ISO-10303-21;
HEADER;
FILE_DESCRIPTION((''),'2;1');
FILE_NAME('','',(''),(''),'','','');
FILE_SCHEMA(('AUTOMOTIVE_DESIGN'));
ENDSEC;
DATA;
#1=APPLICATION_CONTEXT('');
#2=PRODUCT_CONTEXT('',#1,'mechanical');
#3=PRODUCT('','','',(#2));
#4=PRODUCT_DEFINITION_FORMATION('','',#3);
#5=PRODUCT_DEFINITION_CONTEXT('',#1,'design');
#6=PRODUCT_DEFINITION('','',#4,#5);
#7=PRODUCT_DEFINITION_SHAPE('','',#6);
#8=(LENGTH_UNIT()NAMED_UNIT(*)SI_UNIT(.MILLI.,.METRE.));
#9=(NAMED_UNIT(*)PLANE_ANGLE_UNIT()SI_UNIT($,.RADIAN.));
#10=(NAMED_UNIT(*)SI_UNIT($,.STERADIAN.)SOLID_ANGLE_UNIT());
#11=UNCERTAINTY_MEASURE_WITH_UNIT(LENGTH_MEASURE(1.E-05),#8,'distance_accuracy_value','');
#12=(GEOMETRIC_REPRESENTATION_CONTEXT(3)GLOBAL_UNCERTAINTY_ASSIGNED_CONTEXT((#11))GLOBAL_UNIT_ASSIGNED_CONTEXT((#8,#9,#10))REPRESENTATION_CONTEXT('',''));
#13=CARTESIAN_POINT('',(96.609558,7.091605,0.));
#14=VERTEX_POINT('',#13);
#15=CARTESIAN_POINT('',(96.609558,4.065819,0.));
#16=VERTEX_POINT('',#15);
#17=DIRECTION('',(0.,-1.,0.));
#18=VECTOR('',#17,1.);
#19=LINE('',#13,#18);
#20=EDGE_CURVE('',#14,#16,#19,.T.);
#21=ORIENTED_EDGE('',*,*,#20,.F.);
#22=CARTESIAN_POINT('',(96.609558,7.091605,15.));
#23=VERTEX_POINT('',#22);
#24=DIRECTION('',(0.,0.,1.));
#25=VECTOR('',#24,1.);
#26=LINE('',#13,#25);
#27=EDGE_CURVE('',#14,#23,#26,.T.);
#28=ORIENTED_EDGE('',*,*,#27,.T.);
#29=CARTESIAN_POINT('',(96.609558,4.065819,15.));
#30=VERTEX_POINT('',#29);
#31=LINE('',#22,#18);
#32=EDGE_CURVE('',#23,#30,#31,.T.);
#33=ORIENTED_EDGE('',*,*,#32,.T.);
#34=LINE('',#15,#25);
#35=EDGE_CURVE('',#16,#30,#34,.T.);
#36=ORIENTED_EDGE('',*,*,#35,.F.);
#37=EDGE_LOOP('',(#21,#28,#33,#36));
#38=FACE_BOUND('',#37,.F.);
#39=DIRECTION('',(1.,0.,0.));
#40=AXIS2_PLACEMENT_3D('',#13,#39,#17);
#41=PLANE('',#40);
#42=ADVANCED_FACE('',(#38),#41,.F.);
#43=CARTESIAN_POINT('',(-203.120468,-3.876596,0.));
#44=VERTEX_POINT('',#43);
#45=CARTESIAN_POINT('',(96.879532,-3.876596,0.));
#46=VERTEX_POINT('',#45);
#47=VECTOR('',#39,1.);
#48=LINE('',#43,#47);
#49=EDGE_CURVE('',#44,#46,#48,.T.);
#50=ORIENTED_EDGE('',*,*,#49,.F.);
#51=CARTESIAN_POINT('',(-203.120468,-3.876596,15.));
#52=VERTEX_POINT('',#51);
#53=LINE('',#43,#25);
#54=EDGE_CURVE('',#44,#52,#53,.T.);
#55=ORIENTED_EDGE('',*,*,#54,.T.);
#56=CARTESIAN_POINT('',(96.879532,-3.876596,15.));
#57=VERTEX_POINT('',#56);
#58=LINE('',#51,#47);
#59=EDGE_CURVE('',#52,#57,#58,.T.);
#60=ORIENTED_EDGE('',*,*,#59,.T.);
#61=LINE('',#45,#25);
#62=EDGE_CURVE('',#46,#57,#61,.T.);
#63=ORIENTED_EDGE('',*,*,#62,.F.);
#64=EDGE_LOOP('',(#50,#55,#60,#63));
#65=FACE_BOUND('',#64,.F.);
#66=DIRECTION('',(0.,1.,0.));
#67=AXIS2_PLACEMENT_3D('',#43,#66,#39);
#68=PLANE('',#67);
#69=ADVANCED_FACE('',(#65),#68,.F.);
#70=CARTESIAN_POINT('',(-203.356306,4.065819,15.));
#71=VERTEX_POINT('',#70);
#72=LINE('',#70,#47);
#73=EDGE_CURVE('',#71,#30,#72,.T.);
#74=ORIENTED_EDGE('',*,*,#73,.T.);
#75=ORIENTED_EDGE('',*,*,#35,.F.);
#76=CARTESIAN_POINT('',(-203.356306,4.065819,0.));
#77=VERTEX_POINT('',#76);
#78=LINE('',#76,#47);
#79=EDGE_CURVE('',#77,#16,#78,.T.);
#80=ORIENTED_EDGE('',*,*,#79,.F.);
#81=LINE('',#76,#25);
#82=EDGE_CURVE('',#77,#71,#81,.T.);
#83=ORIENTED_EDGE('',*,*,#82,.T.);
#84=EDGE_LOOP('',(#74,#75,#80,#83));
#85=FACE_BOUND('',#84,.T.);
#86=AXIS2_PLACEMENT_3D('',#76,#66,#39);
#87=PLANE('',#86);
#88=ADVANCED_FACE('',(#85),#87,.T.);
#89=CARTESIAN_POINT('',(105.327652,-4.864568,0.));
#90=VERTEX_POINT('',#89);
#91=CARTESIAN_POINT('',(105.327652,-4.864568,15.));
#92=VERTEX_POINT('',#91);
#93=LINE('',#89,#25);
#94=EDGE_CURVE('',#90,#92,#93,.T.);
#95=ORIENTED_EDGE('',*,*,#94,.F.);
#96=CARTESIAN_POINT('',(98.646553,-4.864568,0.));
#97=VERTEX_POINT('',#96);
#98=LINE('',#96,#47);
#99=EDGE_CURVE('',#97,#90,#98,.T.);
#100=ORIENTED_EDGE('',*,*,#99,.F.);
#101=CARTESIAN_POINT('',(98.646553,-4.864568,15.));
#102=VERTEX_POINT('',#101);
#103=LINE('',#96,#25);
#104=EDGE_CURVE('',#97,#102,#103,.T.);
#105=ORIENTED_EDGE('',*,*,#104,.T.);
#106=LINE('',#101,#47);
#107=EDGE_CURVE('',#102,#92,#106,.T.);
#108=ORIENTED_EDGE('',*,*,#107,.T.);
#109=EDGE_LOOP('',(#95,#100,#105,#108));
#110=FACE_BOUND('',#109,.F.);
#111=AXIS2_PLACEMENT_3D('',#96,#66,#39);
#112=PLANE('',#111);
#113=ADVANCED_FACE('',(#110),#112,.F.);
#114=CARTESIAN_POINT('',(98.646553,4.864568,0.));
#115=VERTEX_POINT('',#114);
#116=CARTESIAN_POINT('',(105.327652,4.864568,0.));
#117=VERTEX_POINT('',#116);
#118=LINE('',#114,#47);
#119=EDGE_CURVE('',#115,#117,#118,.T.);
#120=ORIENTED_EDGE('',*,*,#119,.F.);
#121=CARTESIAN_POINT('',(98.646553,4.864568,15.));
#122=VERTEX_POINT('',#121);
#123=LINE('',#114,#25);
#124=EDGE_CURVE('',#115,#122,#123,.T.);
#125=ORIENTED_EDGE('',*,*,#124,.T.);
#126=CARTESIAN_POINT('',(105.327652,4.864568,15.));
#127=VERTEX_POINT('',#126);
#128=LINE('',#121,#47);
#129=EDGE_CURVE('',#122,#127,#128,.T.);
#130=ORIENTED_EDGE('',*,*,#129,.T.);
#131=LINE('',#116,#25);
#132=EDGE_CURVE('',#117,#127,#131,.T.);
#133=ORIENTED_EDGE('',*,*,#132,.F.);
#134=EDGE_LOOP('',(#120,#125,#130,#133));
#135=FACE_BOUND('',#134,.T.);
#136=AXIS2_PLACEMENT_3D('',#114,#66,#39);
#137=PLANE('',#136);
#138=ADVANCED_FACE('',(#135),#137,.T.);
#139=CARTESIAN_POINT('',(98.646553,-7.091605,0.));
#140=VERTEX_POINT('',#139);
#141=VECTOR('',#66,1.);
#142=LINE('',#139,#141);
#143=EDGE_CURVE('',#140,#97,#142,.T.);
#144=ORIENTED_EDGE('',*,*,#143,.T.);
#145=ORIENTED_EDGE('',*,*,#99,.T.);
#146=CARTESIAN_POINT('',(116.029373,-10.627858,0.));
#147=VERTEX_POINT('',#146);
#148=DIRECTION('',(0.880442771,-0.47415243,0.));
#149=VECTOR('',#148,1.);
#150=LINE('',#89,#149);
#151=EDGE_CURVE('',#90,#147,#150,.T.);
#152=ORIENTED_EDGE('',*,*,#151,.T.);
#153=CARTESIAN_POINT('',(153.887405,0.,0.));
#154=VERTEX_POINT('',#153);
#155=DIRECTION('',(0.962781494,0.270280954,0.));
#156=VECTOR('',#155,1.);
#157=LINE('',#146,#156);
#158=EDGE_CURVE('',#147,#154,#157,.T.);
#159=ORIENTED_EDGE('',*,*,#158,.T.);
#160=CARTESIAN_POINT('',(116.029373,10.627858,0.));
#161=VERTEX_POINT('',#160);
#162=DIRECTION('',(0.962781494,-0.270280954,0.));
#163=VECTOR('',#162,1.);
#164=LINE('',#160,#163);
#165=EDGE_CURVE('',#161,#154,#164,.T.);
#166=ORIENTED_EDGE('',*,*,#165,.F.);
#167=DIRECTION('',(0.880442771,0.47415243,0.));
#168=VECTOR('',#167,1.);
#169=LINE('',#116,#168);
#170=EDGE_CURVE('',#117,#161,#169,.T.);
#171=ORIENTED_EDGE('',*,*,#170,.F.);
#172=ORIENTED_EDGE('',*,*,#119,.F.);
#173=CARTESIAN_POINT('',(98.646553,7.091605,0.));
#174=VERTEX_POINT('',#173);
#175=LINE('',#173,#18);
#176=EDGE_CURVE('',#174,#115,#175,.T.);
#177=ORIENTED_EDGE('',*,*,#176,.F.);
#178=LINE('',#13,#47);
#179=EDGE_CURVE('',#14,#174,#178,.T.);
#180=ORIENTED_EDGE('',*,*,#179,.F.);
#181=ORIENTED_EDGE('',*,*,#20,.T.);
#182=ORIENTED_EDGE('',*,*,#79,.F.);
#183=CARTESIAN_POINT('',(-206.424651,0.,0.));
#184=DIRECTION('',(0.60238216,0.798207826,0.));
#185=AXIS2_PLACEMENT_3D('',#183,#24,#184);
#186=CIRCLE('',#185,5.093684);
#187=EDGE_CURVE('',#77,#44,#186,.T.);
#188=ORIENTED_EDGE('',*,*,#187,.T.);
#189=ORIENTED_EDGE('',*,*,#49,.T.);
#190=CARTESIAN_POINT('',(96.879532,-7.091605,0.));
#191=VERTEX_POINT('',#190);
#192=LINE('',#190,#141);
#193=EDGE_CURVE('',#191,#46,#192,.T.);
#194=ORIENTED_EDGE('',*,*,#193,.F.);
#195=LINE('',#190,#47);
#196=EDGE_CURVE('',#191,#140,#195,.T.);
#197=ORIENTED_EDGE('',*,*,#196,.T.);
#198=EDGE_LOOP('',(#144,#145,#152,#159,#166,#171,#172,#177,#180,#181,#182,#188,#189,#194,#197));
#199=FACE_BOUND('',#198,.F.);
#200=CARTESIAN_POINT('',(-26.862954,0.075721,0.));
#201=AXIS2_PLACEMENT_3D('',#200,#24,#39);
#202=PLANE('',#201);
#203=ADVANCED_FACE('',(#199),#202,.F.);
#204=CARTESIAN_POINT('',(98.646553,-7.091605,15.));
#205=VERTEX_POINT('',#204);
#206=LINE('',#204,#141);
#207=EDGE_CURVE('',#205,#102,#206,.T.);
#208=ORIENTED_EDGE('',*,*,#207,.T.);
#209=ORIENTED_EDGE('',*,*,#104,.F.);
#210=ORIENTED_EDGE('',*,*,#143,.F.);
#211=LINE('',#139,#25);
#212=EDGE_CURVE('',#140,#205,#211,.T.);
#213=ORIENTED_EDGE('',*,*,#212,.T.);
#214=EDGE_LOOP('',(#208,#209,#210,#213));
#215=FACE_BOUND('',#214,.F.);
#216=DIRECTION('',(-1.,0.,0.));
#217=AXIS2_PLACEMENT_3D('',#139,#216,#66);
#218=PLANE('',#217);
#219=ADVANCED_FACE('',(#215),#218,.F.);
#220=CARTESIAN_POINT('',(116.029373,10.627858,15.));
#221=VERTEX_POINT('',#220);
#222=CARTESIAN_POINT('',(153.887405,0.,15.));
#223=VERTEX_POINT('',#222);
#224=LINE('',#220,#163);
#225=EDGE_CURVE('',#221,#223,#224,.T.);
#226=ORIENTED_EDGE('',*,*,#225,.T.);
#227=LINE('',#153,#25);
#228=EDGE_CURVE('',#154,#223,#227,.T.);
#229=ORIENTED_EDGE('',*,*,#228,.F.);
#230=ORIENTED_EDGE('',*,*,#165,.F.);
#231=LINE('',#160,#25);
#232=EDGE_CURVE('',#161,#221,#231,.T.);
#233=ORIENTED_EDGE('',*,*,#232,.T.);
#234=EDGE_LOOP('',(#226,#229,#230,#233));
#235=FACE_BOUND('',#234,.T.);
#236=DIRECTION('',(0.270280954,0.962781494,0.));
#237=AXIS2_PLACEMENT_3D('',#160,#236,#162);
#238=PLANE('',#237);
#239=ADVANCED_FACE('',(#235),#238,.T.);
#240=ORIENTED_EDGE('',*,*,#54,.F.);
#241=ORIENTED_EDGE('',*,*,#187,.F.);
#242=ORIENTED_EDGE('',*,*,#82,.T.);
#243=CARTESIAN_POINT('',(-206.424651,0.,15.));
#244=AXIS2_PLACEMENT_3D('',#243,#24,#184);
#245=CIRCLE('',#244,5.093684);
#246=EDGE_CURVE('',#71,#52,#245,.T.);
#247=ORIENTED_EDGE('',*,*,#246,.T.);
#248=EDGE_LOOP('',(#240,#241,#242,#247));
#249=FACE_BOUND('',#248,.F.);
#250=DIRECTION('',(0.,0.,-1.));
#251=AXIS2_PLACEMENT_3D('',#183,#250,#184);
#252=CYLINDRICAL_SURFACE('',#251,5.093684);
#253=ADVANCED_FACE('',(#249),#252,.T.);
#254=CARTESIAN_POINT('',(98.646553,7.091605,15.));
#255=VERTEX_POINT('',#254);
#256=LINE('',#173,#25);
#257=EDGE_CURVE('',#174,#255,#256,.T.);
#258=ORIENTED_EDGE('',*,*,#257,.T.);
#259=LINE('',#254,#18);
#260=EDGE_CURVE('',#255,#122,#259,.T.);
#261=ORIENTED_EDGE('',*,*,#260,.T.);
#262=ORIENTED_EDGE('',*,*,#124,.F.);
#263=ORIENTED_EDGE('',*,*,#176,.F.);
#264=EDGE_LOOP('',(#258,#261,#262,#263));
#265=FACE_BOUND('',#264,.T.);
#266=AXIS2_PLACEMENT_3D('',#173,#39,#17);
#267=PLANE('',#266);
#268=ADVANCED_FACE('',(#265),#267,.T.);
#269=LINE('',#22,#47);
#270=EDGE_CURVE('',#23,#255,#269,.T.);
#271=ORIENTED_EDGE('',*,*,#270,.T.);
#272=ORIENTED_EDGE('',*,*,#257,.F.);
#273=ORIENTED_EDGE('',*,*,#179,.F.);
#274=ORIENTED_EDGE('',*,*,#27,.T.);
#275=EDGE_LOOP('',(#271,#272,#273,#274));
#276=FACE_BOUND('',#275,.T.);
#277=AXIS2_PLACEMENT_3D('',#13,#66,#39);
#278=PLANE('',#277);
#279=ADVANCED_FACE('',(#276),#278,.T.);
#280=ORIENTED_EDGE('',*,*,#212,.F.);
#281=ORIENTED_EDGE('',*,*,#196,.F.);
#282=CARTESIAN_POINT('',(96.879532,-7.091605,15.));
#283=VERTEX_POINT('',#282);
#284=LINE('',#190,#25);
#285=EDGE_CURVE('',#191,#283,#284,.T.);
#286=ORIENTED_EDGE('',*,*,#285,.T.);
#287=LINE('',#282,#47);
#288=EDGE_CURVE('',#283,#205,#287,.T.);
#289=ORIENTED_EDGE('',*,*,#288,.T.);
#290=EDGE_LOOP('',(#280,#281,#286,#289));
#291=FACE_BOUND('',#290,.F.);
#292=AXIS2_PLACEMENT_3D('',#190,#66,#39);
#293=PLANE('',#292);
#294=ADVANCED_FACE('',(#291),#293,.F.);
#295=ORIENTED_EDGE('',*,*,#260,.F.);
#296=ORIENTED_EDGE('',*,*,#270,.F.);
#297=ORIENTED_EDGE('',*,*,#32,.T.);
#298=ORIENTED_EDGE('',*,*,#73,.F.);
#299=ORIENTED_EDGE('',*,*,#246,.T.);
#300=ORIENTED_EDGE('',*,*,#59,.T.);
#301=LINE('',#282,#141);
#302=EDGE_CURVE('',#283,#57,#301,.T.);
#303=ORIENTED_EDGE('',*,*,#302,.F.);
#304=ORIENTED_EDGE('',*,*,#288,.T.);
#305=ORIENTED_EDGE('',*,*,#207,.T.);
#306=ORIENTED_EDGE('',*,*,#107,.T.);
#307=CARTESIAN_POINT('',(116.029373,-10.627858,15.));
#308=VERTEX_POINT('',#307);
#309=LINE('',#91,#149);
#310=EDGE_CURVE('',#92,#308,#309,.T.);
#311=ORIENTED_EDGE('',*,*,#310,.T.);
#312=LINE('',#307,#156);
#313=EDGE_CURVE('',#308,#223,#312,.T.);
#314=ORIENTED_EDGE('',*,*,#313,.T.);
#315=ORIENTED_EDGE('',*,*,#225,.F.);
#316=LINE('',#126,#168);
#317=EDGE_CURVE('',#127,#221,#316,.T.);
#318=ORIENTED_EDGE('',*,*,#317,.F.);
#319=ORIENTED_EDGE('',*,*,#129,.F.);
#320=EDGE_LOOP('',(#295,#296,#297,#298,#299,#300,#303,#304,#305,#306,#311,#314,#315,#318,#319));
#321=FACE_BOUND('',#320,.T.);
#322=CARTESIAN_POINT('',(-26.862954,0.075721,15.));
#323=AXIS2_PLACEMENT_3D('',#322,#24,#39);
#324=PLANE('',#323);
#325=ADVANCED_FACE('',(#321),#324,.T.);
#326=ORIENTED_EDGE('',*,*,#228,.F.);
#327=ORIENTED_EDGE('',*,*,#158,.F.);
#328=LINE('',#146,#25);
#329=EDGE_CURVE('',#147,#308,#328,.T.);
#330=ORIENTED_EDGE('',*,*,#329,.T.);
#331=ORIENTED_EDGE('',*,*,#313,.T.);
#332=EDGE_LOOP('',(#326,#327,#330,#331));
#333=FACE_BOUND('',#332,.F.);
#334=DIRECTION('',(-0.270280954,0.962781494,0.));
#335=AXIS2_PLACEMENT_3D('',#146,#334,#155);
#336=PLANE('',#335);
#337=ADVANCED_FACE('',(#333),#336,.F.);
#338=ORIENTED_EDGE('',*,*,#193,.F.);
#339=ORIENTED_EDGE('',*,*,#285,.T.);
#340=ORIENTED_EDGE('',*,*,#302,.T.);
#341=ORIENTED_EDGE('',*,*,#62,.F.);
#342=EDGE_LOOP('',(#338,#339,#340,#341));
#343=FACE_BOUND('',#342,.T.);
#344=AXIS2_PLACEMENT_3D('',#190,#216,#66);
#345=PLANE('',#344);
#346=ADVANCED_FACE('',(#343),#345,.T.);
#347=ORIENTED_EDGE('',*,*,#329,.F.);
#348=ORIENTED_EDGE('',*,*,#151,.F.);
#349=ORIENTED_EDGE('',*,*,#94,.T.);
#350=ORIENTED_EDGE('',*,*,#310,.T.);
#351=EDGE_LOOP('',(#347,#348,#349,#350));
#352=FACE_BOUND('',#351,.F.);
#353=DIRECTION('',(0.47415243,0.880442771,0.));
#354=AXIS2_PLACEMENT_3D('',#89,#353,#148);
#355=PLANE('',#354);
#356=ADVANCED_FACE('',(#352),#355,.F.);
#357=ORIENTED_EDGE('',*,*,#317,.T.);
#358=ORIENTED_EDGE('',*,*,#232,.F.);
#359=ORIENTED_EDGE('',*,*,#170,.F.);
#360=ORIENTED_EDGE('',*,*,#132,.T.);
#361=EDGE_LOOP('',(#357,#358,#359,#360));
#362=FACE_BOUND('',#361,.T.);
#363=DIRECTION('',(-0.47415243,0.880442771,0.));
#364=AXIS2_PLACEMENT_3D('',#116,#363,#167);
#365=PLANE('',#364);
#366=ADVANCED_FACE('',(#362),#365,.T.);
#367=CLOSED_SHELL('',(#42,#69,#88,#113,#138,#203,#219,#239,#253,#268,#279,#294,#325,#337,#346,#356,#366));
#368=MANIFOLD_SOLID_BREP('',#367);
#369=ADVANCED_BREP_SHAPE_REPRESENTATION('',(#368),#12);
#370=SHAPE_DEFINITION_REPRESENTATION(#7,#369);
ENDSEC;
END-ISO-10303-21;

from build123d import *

# Parameters (mm, degrees)
PAD_DEPTH = 15


with BuildPart() as part:
    # Sketch001 → Pad (new body)
    with BuildSketch(Plane.XY):
        with BuildLine():
            Line((-203.120468, -3.876596), (96.879532, -3.876596))
            Line((96.879532, -7.091605), (96.879532, -3.876596))
            Line((96.879532, -7.091605), (98.646553, -7.091605))
            Line((98.646553, -7.091605), (98.646553, -4.864568))
            Line((98.646553, -4.864568), (105.327652, -4.864568))
            Line((105.327652, -4.864568), (116.029373, -10.627858))
            Line((116.029373, -10.627858), (153.887405, 0))
            Line((116.029373, 10.627858), (153.887405, 0))
            Line((105.327652, 4.864568), (116.029373, 10.627858))
            Line((98.646553, 4.864568), (105.327652, 4.864568))
            Line((98.646553, 7.091605), (98.646553, 4.864568))
            Line((96.609558, 7.091605), (98.646553, 7.091605))
            Line((96.609558, 7.091605), (96.609558, 4.065819))
            Line((-203.356306, 4.065819), (96.609558, 4.065819))
            ThreePointArc((-203.356306, 4.065819), (-211.516091, -0.151182), (-203.120468, -3.876596))
        make_face()
    extrude(amount=PAD_DEPTH)


solid = part.part
